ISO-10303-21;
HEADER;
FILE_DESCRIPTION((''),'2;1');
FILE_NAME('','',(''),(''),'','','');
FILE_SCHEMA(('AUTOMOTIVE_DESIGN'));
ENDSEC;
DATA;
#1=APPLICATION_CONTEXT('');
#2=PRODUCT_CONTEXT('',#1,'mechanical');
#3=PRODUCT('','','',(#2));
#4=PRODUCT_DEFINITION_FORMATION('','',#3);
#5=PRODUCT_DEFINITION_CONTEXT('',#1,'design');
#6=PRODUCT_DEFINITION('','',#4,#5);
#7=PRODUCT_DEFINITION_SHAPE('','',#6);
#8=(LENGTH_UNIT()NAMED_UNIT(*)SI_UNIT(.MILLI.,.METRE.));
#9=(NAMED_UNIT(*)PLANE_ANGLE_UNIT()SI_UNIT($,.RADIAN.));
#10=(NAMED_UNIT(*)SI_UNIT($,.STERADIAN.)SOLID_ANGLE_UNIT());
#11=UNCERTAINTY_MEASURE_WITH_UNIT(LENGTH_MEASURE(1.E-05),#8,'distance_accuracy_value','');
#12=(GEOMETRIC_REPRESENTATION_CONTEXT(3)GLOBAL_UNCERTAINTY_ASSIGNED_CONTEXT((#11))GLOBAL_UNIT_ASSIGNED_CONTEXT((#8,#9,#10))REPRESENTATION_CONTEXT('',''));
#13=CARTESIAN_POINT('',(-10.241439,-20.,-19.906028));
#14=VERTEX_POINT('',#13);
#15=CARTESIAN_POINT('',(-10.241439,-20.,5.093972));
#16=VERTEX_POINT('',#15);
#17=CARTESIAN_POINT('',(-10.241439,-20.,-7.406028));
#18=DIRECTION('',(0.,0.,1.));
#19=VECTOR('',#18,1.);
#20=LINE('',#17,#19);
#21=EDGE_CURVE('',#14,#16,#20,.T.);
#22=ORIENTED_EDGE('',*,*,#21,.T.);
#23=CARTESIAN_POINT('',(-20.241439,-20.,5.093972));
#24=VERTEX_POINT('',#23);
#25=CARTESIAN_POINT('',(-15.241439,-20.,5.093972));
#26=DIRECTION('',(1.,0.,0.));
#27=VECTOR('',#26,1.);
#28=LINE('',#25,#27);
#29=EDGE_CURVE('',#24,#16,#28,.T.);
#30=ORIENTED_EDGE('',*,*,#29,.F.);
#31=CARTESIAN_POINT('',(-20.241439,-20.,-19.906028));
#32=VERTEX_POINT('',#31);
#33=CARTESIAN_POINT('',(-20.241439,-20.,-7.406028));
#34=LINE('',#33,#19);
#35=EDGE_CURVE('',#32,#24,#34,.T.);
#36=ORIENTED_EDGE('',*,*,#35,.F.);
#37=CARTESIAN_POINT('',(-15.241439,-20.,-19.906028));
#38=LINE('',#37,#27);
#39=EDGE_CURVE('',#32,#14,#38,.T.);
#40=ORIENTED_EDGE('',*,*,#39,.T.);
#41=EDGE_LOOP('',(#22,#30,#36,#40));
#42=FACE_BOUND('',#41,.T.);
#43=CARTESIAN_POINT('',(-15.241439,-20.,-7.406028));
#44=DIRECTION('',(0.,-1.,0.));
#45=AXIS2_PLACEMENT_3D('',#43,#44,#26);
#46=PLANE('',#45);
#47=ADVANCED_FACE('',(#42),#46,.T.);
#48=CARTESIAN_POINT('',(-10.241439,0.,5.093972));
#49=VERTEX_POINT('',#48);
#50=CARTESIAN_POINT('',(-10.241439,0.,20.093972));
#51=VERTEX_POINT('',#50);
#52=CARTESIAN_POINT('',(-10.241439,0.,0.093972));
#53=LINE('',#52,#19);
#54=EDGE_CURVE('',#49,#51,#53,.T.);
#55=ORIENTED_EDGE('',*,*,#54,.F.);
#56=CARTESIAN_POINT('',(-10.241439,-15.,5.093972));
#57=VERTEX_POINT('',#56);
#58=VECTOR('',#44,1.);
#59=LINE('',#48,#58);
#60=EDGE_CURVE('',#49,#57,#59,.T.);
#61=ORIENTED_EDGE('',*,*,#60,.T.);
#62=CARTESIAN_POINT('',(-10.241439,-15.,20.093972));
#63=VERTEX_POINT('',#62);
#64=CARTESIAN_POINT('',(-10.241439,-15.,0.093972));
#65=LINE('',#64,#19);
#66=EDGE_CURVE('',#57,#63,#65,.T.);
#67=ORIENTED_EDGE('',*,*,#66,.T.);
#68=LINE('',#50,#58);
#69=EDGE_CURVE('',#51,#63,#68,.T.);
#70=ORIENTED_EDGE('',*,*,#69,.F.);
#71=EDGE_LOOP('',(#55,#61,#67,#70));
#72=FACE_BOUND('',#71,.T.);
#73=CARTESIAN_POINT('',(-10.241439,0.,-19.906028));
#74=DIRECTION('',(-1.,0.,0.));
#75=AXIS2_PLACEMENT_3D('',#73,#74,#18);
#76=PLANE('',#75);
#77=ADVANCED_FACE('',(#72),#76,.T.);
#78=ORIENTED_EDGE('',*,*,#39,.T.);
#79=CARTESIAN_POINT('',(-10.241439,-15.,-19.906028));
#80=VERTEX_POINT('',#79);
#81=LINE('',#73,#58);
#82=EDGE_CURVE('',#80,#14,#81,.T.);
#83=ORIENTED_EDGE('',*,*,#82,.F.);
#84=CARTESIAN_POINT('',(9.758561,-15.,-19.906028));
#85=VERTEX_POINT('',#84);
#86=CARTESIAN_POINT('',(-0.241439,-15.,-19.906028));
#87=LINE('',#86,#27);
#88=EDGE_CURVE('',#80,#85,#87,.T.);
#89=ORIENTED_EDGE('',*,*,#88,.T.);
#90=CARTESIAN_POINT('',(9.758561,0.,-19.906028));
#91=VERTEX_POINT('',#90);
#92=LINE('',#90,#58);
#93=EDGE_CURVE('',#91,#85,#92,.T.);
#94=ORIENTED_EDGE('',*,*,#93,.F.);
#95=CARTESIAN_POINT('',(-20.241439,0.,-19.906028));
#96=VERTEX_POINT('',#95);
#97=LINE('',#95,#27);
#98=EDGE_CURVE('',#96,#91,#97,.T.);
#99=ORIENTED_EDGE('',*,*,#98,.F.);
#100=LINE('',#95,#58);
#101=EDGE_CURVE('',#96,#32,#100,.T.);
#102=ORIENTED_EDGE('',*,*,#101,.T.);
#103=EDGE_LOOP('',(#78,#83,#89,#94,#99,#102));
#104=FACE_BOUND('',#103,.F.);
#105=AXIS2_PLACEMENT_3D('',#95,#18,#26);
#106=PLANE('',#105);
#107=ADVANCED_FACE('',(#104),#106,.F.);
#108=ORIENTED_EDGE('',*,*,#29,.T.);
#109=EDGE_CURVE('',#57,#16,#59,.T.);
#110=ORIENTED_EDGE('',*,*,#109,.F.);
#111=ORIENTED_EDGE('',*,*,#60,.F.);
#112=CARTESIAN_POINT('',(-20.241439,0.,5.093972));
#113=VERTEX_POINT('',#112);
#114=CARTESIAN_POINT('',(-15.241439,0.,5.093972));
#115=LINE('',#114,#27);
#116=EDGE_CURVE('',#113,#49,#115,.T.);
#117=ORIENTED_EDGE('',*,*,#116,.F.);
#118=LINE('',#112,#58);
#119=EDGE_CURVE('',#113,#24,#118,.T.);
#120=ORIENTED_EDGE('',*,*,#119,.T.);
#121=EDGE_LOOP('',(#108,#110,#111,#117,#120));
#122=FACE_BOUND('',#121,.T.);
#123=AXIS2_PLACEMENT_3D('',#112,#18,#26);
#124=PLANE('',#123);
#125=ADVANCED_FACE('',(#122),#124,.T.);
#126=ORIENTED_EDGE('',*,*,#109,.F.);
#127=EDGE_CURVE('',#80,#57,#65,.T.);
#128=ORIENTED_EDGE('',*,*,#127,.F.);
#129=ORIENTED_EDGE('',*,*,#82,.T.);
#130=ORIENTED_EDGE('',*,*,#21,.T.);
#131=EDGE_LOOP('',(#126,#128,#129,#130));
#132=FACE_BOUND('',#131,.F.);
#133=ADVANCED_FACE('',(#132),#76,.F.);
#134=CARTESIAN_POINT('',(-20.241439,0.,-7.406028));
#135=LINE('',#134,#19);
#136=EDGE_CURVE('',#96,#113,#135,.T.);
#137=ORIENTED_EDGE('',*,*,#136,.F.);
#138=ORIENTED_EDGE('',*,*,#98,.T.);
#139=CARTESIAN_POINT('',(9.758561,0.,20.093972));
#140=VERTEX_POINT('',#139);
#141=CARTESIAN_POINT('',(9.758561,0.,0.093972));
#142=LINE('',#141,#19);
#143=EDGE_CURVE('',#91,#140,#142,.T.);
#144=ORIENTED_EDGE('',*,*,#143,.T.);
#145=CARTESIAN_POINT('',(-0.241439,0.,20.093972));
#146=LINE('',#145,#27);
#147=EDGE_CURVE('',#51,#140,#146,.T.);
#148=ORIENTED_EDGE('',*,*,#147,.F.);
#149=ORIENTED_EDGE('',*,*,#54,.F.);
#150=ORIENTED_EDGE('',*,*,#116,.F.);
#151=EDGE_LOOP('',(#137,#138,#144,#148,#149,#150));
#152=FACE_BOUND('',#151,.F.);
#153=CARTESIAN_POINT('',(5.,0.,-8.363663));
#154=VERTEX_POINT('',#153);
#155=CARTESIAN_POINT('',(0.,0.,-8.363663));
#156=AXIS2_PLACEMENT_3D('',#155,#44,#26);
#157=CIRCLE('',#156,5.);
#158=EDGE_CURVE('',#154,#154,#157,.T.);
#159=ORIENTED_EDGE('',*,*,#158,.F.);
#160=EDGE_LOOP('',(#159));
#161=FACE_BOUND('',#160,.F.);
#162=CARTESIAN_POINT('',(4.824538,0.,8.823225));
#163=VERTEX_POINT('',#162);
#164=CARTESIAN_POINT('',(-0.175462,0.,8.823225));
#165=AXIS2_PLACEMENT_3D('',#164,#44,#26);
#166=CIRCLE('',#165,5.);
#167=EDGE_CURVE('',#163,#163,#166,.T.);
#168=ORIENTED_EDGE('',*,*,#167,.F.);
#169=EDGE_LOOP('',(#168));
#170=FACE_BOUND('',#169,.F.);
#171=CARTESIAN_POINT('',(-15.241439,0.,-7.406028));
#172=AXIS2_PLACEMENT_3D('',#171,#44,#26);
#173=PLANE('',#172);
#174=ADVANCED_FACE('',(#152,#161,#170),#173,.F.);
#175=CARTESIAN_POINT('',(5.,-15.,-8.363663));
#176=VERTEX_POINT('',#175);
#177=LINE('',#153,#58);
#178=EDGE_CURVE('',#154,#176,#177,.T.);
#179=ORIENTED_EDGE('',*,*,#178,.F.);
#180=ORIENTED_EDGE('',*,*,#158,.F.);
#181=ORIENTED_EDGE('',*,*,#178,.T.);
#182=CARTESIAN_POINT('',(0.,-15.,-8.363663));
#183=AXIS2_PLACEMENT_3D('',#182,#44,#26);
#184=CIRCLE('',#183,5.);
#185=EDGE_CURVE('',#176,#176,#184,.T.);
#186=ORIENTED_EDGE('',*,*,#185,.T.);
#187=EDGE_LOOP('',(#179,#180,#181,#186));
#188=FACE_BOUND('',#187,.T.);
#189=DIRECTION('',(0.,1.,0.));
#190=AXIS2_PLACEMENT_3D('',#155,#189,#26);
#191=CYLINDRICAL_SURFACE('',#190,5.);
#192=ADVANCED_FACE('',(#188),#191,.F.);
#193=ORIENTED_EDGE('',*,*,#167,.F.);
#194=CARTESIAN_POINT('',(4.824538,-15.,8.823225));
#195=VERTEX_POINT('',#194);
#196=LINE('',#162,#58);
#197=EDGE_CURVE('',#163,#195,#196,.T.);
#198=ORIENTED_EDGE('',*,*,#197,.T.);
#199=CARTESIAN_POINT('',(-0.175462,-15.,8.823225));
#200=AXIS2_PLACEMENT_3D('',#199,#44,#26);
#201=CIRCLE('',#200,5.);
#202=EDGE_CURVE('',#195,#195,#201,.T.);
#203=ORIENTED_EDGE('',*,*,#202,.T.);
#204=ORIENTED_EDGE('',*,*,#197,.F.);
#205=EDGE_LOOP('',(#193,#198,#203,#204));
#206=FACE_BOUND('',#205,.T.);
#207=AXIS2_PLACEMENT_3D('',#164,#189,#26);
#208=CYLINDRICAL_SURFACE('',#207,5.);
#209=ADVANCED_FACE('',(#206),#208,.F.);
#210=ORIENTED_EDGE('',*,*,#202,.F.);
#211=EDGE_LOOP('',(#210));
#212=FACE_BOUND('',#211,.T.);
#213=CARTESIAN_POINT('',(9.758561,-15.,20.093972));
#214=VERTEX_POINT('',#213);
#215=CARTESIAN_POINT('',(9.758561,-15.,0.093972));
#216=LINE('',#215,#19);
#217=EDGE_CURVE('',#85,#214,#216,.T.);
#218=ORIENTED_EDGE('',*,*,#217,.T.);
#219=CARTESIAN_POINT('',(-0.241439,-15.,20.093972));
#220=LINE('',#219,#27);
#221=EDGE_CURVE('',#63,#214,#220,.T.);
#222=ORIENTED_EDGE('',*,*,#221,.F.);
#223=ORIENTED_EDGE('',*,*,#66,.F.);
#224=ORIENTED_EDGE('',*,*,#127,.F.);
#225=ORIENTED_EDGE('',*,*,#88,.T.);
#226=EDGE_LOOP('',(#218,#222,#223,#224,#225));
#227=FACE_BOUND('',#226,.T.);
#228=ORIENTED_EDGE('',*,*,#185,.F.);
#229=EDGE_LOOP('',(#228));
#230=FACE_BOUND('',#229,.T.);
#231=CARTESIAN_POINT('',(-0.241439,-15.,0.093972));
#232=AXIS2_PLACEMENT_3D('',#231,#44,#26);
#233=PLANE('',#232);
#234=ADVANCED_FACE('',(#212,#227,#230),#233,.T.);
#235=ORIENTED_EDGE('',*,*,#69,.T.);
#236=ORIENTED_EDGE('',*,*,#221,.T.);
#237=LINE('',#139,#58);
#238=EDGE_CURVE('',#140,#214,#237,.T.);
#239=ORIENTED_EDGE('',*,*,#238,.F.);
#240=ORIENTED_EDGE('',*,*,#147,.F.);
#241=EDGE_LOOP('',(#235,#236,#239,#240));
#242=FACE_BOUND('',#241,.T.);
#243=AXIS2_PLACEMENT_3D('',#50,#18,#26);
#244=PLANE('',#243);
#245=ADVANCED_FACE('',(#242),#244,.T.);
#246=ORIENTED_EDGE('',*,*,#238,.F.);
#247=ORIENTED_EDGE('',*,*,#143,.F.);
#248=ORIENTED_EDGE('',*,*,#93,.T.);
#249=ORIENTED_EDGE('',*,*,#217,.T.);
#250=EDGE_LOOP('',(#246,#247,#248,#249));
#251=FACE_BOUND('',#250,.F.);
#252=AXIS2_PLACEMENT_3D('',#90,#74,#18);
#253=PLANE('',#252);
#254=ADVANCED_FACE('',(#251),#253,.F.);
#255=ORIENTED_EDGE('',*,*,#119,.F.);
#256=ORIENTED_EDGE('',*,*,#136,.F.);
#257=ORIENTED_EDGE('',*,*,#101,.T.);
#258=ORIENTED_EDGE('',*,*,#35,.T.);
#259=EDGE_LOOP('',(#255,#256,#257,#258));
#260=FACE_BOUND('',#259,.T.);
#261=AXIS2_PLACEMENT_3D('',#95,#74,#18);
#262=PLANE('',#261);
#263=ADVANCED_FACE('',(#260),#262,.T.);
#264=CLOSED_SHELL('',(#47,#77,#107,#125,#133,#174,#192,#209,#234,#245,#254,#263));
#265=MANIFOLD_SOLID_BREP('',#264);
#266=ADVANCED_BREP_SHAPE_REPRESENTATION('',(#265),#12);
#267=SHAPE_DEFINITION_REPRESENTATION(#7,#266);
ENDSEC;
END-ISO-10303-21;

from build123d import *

# Parameters (mm, degrees)
F0_W     = 20
F0_H     = 40
F0_R     = 5
F1_DEPTH = 15
F2_W     = 10
F2_H     = 25
F3_DEPTH = 20


with BuildPart() as f1:
    # F0 (on Front) → F1 (new body)
    with BuildSketch(Plane.XZ):
        with Locations((-0.241439, 0.093972)):
            Rectangle(F0_W, F0_H)
        with Locations((0, -8.363663)):
            Circle(F0_R, mode=Mode.SUBTRACT)
        with Locations((-0.175462, 8.823225)):
            Circle(F0_R, mode=Mode.SUBTRACT)
    extrude(amount=F1_DEPTH)

    # F2 (on Front) → F3 (join)
    with BuildSketch(Plane.XZ):
        with Locations((-15.241439, -7.406028)):
            Rectangle(F2_W, F2_H)
    extrude(amount=F3_DEPTH)


solid = f1.part
